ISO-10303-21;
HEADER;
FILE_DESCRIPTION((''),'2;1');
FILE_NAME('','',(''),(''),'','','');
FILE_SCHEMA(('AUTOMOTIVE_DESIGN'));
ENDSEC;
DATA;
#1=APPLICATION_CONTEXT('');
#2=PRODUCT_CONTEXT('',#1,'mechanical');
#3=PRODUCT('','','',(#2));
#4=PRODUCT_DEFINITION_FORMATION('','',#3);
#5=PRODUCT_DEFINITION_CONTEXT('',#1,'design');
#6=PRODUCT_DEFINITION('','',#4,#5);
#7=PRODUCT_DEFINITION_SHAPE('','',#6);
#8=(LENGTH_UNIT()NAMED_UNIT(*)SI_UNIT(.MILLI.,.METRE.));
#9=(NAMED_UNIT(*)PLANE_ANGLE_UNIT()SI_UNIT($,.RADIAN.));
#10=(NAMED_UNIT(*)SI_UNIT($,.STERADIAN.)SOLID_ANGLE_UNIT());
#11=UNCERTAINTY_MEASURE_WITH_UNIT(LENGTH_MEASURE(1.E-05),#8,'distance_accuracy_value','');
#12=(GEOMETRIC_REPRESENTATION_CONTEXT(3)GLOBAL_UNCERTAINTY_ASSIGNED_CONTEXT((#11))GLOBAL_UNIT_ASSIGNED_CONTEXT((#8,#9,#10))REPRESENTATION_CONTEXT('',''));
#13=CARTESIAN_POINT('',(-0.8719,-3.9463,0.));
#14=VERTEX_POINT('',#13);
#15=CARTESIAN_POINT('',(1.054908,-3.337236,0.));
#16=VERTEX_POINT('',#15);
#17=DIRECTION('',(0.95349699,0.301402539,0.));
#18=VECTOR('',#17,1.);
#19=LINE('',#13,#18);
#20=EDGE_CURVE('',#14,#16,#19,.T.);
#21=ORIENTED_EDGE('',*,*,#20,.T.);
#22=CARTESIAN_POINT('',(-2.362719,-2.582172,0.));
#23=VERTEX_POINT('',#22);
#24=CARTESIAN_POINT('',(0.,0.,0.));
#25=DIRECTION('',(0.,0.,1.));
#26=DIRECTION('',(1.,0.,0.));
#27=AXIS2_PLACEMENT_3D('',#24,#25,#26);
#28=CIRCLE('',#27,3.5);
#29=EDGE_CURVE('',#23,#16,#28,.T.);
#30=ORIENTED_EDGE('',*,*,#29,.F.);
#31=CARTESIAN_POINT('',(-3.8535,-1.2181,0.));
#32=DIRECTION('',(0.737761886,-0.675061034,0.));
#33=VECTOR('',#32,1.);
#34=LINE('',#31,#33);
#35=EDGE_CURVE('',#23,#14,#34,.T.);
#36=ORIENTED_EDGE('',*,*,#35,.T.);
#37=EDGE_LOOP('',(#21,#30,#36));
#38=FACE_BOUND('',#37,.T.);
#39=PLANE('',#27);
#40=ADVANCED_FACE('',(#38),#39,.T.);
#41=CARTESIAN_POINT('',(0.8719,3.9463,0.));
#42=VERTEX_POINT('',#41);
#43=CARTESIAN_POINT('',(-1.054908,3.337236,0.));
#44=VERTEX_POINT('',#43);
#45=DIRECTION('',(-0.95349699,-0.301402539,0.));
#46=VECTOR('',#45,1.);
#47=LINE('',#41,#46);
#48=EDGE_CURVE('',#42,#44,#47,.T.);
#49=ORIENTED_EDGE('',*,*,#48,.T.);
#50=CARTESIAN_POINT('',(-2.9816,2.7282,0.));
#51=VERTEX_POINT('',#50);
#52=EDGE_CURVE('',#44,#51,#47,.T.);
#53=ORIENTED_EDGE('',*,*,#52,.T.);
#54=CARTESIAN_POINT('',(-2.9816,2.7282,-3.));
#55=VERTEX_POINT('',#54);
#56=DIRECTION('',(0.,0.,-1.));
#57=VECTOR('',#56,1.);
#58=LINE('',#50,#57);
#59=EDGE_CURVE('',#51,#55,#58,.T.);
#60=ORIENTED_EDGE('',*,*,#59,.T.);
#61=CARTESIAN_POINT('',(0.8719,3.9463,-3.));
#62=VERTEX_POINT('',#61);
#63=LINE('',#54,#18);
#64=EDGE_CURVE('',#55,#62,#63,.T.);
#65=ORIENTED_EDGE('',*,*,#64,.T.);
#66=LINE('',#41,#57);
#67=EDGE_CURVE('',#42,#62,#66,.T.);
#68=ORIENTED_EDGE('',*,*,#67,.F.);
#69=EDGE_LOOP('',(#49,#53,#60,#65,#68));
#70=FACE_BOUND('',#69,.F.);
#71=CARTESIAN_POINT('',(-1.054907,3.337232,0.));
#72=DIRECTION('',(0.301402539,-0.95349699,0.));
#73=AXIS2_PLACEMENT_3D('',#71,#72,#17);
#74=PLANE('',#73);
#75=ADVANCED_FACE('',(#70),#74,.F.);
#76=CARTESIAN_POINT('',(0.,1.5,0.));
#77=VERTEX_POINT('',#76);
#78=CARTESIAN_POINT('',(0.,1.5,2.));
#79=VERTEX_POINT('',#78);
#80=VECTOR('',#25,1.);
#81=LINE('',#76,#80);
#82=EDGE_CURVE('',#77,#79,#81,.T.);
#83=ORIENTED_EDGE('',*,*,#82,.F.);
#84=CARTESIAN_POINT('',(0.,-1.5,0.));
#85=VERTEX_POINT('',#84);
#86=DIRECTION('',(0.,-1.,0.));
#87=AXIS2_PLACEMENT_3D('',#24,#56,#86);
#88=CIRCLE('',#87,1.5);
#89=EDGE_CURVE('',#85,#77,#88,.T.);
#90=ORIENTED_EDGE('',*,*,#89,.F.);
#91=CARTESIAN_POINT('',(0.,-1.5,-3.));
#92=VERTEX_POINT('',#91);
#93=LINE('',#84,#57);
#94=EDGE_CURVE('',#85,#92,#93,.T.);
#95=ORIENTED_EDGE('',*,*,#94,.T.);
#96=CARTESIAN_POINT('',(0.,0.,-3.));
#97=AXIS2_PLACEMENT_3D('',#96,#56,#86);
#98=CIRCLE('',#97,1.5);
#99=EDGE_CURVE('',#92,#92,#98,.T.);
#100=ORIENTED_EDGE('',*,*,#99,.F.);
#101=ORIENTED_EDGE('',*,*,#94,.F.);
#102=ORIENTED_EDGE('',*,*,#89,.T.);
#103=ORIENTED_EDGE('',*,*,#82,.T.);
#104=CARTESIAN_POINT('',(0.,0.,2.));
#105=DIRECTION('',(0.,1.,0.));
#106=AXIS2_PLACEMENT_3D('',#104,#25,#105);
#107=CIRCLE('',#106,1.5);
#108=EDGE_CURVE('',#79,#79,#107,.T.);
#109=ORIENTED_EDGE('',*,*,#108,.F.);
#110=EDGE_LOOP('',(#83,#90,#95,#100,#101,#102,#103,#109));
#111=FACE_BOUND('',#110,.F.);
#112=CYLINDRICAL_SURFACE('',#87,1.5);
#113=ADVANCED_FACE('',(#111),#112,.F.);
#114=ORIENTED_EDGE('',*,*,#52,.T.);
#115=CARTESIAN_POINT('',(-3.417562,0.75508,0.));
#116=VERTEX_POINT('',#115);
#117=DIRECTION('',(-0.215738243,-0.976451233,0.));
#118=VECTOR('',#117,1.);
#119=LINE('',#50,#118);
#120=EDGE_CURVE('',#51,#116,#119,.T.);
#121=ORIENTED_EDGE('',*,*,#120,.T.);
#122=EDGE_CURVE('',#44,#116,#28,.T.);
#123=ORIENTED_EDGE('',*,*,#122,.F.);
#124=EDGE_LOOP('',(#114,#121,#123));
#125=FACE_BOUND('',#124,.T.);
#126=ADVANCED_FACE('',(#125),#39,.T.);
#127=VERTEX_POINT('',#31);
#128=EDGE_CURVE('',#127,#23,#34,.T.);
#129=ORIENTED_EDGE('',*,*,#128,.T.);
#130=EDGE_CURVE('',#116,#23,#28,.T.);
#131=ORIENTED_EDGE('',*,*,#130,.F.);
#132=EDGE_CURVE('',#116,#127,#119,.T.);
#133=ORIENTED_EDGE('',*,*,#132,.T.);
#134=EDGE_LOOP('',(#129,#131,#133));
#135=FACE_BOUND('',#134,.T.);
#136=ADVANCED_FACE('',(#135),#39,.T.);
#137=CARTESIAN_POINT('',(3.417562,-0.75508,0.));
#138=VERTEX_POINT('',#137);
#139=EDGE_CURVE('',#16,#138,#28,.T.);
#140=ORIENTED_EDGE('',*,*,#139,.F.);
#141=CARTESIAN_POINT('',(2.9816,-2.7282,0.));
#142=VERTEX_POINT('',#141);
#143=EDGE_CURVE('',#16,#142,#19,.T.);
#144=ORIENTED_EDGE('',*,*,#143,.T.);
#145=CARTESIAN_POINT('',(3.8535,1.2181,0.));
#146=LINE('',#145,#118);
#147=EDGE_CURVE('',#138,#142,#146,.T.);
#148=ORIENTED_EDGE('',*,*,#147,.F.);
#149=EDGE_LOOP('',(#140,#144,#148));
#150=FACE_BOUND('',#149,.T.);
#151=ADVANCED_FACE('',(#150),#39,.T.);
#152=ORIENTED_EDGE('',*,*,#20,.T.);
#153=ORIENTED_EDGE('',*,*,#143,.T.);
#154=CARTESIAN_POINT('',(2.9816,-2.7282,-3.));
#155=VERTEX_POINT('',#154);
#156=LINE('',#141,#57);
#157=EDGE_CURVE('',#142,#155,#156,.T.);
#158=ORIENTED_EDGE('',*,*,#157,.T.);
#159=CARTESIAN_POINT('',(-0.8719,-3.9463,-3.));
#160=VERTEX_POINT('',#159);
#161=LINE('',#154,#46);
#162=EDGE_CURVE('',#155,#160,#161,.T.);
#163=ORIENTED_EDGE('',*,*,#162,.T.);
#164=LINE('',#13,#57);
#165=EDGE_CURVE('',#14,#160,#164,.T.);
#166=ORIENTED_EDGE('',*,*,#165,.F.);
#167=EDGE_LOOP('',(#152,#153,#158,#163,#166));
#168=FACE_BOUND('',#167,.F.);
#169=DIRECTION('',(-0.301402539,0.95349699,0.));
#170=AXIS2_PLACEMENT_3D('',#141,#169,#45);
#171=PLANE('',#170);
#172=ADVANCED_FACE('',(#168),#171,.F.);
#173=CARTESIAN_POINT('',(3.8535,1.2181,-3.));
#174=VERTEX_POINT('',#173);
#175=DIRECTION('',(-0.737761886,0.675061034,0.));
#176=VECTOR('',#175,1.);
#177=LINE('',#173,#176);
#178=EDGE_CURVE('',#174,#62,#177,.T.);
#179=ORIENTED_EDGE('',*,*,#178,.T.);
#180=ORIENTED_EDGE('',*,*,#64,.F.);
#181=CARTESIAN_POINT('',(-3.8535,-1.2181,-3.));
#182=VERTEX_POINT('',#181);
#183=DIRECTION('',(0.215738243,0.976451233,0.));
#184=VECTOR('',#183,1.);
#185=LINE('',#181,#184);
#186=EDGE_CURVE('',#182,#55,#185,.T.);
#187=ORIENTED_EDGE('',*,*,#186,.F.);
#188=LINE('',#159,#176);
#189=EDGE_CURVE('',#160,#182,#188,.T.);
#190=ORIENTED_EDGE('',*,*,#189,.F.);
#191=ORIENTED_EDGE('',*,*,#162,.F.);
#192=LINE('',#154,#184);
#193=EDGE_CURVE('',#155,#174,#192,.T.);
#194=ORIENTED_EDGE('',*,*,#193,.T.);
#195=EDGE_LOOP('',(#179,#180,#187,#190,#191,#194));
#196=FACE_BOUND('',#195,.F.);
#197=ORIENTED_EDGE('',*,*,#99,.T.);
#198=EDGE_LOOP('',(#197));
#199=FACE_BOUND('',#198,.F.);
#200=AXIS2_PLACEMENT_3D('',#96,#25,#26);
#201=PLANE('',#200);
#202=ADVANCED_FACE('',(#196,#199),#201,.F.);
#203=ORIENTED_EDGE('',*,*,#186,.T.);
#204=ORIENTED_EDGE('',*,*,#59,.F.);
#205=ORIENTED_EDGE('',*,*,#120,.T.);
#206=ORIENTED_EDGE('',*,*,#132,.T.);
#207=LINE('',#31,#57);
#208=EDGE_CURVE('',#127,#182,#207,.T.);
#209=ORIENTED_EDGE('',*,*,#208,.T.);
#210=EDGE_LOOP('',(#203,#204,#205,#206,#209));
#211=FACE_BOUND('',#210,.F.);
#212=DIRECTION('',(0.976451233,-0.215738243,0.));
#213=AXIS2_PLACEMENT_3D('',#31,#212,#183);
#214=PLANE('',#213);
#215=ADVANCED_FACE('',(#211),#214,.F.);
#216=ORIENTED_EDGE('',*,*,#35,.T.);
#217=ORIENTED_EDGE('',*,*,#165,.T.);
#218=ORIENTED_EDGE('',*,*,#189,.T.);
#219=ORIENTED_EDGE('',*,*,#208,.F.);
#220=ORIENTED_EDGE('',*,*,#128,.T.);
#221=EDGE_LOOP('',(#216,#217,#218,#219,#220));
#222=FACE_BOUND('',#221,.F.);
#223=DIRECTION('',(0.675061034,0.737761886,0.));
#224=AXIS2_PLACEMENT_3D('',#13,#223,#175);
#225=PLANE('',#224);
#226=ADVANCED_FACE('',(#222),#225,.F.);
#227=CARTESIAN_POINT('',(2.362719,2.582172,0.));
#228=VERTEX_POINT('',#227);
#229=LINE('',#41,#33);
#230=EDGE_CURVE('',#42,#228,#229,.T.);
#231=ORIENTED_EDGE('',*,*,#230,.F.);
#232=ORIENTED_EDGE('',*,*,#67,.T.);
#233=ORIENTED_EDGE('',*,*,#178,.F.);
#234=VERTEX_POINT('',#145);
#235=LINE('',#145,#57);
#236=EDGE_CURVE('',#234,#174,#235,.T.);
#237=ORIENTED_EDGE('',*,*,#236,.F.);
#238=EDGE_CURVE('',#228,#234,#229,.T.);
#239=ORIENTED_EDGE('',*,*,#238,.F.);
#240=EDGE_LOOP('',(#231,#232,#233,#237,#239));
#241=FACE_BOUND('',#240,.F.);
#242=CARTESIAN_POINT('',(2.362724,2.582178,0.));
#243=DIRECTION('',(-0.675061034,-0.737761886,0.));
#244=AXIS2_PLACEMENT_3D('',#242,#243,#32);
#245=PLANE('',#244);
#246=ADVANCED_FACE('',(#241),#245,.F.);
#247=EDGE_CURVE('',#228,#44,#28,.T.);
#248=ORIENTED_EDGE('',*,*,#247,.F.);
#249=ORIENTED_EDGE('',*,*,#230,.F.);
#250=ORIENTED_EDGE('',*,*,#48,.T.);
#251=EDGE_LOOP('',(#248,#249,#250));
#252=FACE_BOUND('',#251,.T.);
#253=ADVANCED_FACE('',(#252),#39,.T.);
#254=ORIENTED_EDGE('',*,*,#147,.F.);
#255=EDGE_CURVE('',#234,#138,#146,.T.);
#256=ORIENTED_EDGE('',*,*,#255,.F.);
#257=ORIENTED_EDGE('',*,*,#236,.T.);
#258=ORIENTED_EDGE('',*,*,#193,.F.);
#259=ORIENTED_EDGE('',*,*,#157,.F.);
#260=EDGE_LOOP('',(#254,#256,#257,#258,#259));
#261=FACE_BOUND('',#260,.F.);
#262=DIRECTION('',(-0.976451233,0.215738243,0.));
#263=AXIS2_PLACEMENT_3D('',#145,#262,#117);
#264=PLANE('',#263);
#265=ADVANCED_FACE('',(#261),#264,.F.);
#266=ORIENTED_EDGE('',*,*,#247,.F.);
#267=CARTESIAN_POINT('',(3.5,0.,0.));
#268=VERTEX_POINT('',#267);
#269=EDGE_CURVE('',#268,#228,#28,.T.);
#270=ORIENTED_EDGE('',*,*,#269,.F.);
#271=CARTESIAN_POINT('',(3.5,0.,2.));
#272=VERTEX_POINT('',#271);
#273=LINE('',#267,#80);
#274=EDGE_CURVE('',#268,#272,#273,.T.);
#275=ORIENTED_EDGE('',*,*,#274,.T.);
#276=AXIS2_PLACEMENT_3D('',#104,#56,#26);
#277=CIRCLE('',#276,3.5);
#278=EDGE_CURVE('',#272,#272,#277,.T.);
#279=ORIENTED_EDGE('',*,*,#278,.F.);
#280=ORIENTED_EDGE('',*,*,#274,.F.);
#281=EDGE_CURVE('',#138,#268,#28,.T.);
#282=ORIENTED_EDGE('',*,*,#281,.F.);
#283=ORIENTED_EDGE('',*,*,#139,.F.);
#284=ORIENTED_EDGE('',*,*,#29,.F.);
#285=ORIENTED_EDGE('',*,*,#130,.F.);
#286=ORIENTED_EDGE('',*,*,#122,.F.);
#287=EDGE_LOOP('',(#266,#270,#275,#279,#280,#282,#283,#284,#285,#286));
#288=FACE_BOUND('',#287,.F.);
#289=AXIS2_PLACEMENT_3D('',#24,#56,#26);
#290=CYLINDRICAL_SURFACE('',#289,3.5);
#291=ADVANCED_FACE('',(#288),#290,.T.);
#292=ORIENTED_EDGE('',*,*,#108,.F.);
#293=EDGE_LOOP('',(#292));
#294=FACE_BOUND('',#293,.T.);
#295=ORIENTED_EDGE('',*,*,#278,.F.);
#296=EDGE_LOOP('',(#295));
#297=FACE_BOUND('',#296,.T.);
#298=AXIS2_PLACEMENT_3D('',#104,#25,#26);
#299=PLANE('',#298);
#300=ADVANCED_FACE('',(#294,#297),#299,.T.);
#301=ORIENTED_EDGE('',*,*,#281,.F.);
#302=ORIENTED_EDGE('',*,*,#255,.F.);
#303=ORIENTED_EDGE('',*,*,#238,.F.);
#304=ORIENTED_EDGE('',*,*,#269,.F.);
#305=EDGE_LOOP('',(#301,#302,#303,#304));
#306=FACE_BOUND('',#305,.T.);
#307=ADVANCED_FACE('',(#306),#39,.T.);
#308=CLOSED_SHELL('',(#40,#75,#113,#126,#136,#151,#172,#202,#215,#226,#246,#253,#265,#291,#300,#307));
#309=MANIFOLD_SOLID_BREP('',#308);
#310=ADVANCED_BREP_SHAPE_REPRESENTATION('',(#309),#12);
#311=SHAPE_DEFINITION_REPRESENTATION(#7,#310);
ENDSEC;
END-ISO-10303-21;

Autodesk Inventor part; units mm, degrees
ref_plane "YZ Plane" through (0, 0, 0) normal (1, 0, 0) x (0, 1, 0)
ref_plane "XZ Plane" through (0, 0, 0) normal (0, 1, 0) x (-1, 0, 0)
ref_plane "XY Plane" through (0, 0, 0) normal (0, 0, 1) x (1, 0, 0)
sketch "スケッチ1" plane through (0, 0, 0) normal (0, 0, 1) x (1, 0, 0)
  line L0 (3.8535, 1.2181) -> (2.9816, -2.7282)
  line L1 (2.9816, -2.7282) -> (-0.8719, -3.9463)
  line L2 (-0.8719, -3.9463) -> (-3.8535, -1.2181)
  line L3 (-3.8535, -1.2181) -> (-2.9816, 2.7282)
  line L4 (-2.9816, 2.7282) -> (0.8719, 3.9463)
  line L5 (0.8719, 3.9463) -> (3.8535, 1.2181)
  circle A0 centre (0, 0) radius 3.5
  dimension "d0" = 8.0829
  dimension "d1" = 7
extrude "押し出し1" add sketch "スケッチ1" along normal blind 2 contours A0
extrude "押し出し2" add sketch "スケッチ1" against normal blind 3
hole "穴1" at (0, 0, 0) direction (0, 0, -1) diameter 3 end through all
hole "穴2" at (0, 0, 0) direction (0, 0, 1) diameter 3 end through all
properties part number "ナイロンナットm4" material "ステンレス鋼"
